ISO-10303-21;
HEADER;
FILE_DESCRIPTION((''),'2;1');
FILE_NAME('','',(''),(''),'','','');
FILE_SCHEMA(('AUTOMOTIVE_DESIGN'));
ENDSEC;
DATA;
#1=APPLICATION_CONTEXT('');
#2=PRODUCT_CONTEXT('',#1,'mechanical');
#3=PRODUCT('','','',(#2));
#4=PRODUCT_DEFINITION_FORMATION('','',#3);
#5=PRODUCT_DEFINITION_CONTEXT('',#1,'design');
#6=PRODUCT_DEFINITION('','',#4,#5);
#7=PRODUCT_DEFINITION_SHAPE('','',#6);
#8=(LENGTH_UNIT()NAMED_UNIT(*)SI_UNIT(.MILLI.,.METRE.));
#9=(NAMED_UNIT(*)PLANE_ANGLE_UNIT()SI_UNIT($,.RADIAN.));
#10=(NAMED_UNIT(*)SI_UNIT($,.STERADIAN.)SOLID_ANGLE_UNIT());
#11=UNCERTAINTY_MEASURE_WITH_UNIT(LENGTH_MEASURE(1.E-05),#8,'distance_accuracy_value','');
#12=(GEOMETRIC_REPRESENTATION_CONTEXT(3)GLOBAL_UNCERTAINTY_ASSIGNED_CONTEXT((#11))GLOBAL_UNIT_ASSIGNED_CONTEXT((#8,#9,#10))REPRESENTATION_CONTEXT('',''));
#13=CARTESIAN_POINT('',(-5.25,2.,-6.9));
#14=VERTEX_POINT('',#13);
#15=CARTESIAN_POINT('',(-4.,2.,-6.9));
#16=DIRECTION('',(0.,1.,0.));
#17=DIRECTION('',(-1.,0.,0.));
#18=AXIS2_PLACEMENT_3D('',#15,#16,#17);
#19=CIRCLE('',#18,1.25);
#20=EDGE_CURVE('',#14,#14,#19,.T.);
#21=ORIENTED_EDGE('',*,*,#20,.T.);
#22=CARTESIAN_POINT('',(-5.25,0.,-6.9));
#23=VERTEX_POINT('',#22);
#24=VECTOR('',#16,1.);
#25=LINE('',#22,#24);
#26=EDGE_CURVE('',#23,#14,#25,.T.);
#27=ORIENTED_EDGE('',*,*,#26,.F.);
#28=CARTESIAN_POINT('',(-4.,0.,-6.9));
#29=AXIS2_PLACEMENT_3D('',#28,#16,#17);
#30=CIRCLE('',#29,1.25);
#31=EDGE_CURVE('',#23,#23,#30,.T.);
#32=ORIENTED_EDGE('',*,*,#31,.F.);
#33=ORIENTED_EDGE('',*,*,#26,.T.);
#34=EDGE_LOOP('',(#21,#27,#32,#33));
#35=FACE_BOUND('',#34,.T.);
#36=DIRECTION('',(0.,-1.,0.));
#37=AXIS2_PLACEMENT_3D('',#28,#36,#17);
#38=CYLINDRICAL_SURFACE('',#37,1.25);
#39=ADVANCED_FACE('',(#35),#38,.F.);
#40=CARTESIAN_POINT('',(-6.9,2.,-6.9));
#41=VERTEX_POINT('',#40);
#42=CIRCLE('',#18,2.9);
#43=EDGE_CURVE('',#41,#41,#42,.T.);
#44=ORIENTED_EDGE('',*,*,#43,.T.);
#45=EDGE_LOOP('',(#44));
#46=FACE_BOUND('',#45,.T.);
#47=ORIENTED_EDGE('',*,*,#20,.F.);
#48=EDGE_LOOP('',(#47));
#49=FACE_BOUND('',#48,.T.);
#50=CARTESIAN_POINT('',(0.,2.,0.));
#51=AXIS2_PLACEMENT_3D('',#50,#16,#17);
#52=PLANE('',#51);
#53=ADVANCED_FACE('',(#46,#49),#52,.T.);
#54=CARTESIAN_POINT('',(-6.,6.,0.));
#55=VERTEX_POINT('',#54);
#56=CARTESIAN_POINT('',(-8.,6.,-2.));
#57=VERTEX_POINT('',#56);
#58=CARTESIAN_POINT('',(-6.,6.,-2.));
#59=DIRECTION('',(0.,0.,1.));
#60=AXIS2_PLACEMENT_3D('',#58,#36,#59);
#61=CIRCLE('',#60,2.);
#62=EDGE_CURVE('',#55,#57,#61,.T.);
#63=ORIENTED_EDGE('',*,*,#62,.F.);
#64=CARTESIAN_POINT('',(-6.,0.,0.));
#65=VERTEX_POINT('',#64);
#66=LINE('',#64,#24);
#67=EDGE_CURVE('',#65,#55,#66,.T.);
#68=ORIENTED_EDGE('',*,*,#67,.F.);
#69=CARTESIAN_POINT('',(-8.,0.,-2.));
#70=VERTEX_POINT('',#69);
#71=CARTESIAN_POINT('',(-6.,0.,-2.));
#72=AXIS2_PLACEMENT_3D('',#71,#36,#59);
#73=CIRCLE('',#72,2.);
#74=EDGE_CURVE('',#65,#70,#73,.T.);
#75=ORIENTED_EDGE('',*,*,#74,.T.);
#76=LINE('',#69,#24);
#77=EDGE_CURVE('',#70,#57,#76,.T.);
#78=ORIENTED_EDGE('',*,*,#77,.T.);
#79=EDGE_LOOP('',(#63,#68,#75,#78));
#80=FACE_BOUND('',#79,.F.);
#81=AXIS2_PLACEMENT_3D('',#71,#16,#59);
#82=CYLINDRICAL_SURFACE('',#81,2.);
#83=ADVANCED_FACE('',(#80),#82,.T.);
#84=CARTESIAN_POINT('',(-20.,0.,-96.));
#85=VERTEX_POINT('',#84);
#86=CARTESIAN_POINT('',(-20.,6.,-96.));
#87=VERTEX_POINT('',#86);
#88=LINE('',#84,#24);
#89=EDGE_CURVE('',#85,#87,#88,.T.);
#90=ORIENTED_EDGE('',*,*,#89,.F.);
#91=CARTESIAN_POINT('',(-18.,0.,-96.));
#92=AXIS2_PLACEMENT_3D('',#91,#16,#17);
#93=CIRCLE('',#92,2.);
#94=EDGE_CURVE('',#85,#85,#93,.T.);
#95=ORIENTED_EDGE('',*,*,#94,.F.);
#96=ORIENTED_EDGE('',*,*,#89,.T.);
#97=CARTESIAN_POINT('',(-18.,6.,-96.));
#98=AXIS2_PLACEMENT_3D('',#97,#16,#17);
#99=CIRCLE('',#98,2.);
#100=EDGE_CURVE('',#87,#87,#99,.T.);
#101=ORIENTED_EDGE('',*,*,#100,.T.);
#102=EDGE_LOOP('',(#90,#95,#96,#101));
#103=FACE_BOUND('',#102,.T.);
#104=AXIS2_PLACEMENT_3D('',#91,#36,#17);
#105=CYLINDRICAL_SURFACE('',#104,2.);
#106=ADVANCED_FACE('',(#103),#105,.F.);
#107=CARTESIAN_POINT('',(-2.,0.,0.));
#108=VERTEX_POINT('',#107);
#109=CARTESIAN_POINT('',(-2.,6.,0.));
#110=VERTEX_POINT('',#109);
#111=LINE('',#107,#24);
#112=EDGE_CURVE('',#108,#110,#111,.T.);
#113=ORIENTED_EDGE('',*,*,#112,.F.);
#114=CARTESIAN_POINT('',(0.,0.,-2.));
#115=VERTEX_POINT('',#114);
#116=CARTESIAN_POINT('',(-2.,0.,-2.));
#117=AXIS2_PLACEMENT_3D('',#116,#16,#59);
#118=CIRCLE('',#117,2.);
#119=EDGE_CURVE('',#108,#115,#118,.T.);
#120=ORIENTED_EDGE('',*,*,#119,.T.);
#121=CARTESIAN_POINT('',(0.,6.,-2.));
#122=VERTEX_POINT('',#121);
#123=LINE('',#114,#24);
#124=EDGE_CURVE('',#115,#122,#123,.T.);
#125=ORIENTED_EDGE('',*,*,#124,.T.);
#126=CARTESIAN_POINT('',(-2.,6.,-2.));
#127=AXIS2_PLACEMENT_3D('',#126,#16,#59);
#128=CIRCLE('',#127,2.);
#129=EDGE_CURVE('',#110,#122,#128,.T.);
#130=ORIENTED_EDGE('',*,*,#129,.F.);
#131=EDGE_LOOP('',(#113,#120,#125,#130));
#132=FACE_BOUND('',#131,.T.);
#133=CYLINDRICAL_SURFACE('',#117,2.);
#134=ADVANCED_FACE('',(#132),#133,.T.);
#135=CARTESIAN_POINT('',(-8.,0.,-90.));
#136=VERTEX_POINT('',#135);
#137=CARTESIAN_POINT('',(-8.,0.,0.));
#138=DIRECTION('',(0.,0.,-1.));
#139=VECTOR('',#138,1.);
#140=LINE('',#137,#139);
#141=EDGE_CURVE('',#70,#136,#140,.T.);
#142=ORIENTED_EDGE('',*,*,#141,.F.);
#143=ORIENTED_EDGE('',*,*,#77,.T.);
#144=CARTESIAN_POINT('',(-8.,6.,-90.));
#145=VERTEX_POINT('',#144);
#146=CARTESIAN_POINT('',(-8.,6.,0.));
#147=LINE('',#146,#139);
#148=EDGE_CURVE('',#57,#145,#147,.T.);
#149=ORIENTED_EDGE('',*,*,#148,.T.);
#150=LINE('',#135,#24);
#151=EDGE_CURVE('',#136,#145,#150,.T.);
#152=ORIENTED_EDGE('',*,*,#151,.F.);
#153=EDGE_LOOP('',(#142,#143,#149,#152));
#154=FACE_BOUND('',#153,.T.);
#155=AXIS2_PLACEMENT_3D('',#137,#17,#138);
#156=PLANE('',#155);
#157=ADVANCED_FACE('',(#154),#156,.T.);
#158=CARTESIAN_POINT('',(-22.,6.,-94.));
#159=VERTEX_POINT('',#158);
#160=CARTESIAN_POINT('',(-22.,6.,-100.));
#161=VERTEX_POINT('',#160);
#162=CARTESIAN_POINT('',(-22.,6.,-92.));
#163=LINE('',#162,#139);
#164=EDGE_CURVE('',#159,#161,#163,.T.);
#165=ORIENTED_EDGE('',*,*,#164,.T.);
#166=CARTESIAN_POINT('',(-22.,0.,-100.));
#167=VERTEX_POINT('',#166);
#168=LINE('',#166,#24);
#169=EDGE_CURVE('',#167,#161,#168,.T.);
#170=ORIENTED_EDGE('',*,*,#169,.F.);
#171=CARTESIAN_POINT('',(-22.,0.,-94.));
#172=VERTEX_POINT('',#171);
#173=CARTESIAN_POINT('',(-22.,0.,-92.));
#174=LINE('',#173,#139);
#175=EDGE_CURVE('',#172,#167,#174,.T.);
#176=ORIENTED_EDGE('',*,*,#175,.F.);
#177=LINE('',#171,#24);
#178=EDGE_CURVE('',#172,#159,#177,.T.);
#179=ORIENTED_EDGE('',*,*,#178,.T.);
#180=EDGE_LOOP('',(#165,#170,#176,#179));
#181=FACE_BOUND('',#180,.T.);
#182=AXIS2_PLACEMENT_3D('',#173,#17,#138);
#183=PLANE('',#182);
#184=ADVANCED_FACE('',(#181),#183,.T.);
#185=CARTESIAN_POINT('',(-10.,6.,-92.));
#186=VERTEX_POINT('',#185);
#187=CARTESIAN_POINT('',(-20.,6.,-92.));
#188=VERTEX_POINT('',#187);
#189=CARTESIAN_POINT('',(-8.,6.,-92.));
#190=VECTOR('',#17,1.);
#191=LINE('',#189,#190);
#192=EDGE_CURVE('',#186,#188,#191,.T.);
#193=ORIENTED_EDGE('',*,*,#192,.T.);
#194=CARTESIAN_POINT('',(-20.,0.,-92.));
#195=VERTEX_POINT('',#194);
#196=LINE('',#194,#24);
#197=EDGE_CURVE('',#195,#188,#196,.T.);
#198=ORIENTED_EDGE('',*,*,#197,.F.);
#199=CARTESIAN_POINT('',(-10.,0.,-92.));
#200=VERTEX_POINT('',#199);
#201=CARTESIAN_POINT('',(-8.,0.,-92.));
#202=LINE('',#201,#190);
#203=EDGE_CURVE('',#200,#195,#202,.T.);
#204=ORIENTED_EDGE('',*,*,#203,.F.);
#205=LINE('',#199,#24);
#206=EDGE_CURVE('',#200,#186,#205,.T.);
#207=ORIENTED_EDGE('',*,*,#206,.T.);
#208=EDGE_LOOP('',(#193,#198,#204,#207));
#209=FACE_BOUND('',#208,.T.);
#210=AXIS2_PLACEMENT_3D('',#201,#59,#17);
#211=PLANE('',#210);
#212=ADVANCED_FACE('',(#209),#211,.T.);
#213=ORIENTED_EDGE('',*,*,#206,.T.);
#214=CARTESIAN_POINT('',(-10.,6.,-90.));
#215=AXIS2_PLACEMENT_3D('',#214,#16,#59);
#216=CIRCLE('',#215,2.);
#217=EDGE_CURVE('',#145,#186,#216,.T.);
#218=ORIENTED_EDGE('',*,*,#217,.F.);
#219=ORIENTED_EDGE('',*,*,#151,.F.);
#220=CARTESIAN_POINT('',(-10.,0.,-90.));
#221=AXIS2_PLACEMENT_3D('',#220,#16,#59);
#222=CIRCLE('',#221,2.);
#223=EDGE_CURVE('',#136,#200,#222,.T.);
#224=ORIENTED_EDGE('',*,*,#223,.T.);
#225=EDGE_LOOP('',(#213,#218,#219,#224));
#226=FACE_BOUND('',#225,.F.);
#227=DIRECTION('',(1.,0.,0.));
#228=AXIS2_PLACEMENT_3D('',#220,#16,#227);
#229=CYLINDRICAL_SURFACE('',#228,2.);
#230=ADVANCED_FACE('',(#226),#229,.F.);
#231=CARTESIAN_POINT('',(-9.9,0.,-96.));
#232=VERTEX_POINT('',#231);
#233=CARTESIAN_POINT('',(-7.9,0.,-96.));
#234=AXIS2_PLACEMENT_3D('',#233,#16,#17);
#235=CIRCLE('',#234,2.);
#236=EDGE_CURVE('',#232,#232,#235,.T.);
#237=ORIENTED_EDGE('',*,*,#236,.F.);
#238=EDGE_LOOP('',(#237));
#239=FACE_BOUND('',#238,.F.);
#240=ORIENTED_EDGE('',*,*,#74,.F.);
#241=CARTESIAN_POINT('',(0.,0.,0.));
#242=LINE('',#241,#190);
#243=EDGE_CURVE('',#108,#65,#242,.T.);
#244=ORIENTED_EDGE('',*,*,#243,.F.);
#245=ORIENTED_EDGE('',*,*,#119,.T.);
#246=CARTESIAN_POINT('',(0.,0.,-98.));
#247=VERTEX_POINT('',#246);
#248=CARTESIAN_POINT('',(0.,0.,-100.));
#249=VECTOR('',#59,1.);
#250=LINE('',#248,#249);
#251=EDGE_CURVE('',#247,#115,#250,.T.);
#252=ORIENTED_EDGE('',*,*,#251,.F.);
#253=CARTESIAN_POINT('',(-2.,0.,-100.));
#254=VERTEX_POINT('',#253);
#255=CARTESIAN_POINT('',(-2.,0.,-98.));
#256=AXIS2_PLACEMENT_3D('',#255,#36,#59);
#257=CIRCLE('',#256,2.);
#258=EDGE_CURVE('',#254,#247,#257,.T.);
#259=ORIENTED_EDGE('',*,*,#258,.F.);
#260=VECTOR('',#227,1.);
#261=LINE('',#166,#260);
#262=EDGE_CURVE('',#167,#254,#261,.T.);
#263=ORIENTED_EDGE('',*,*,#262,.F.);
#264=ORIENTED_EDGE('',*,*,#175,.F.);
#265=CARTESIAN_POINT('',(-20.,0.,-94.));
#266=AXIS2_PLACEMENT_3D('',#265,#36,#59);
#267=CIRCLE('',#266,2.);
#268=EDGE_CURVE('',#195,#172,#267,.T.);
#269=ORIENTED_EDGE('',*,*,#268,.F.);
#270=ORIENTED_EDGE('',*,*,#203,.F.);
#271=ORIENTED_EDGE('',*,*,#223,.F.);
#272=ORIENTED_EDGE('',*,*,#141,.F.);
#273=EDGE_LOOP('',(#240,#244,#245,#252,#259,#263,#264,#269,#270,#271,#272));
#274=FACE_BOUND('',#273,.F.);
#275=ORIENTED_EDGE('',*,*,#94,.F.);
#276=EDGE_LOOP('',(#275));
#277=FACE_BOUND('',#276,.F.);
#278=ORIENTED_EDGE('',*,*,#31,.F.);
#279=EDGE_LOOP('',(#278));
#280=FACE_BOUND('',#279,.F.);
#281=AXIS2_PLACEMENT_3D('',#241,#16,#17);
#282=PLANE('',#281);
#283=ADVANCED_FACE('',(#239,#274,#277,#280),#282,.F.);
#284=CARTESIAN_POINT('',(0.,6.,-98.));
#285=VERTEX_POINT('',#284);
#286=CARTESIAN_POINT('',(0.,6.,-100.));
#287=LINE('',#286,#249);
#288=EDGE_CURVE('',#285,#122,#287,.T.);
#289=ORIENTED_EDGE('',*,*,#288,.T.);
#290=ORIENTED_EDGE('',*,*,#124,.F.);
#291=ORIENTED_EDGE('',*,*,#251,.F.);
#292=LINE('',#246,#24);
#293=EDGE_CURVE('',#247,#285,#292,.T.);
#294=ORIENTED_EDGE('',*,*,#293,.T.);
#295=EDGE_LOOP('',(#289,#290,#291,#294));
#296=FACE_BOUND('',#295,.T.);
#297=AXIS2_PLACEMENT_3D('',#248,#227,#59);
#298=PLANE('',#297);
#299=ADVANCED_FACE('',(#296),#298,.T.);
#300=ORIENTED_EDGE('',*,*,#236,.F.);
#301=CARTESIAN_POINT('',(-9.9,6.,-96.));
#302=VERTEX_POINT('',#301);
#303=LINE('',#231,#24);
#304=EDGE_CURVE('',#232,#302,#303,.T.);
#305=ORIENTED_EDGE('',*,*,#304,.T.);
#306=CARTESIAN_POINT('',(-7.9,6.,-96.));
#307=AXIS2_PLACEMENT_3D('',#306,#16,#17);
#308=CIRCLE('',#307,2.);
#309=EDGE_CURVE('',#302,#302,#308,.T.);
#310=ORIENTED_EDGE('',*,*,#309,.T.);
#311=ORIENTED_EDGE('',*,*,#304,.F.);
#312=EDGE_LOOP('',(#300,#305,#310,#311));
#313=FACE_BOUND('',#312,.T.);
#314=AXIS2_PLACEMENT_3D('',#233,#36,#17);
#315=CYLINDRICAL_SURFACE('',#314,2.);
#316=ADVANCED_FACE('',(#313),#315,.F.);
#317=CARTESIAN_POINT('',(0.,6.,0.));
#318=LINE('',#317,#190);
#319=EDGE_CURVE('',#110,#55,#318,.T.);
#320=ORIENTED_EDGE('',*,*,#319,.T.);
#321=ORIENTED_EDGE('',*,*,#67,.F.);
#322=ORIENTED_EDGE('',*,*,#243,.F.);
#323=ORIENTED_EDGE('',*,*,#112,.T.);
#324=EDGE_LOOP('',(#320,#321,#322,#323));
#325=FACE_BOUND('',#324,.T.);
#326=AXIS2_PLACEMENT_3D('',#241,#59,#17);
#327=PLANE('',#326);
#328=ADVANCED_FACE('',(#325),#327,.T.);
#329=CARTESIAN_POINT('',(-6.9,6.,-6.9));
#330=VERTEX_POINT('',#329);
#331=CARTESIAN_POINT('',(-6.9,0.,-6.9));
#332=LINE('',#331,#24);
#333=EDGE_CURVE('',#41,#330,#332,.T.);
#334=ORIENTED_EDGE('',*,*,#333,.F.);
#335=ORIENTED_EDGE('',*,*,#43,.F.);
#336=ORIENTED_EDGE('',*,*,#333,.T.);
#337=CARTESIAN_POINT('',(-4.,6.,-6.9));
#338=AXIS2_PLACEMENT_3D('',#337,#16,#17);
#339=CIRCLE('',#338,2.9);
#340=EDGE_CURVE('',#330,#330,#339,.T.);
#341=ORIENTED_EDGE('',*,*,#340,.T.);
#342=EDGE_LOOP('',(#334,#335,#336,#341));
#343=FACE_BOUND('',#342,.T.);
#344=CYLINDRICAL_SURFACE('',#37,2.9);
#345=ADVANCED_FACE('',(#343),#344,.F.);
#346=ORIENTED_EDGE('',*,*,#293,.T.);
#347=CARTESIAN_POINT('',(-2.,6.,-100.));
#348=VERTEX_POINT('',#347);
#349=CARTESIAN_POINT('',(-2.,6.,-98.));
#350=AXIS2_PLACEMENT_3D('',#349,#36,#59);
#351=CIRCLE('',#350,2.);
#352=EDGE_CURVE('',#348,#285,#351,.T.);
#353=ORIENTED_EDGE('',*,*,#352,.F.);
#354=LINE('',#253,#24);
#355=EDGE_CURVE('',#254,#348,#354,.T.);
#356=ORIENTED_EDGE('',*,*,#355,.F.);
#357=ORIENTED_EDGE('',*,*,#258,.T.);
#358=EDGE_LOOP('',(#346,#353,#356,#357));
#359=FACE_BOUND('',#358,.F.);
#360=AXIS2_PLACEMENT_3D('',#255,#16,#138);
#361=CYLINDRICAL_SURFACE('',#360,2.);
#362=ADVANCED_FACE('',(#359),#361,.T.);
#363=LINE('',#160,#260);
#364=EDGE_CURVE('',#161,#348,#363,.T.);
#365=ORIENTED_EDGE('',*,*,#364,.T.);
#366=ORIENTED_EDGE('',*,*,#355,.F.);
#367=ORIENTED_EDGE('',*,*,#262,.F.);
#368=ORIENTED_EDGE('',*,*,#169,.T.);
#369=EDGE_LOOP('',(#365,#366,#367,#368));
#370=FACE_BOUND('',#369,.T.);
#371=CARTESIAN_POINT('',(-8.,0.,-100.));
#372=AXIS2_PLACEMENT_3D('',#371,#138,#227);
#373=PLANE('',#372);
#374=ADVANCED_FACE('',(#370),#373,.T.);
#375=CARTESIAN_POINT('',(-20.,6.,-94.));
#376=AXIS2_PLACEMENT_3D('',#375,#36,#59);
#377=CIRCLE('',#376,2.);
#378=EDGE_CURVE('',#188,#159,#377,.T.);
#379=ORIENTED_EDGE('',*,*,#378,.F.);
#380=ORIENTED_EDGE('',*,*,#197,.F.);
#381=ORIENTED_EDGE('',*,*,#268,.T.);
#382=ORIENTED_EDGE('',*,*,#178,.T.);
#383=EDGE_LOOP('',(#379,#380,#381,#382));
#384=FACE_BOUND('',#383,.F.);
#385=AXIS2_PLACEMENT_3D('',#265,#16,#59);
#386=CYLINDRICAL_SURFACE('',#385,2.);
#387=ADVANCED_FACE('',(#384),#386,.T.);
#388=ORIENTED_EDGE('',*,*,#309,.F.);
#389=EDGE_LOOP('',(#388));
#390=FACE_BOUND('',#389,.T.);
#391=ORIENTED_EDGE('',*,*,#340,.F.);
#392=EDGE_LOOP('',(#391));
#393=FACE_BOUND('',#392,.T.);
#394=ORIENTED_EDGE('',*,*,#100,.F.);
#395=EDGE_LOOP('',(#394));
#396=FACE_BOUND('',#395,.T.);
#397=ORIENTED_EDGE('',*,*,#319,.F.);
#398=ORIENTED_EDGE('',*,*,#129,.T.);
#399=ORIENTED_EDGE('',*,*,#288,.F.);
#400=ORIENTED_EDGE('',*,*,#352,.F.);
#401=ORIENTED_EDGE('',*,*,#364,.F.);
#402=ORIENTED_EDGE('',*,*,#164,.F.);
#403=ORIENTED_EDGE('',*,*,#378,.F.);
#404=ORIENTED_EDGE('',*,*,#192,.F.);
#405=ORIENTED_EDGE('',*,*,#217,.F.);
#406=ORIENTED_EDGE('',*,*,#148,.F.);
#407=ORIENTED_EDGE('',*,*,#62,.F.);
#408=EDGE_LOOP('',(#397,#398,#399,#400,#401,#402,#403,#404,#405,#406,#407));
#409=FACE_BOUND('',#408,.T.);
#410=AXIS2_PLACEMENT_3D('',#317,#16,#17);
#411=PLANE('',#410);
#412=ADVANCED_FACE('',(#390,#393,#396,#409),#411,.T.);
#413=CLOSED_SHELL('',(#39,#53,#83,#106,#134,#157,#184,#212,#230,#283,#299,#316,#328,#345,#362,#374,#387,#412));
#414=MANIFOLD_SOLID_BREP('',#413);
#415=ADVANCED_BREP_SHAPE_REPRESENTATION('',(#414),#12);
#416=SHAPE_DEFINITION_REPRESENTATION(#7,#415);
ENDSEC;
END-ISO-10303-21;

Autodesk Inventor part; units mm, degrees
ref_plane "YZ Plane" through (0, 0, 0) normal (1, 0, 0) x (0, 1, 0)
ref_plane "XZ Plane" through (0, 0, 0) normal (0, 1, 0) x (-1, 0, 0)
ref_plane "XY Plane" through (0, 0, 0) normal (0, 0, 1) x (1, 0, 0)
sketch "Esquisse1" plane through (0, 0, 0) normal (0, 1, 0) x (-1, 0, 0)
  line L0 (0, 0) -> (8, 0)
  line L1 (8, -100) -> (0, -100)
  line L2 (0, -100) -> (0, 0)
  line L3 (8, 0) -> (8, -92)
  line L4 (8, -92) -> (22, -92)
  line L5 (22, -92) -> (22, -100)
  line L6 (22, -100) -> (8, -100)
  circle A0 centre (18, -96) radius 2
  circle A1 centre (7.9, -96) radius 2
  circle A2 centre (4, -6.9) radius 2.9
  circle A3 centre (4, -6.9) radius 1.25
  dimension "d0" = 8
  dimension "d1" = 100
  dimension "d2" = 8
  dimension "d5" = 10.1
  dimension "d6" = 4
  dimension "d7" = 4
  dimension "d8" = 4
  dimension "d9" = 4
  dimension "d10" = 22
  dimension "d11" = 5.8
  dimension "d12" = 4
  dimension "d13" = 4
  dimension "d15" = 4
  dimension "d17" = 2.5
extrude "Extrusion1" add sketch "Esquisse1" along normal blind 6 contours L0 L3 L4 L5 L6 L1 L2
fillet "Congé1" radius 2 5 edges at (-8, 3, 0) (0, 3, 0) (-8, 3, -92) (0, 3, -100) (-22, 3, -92)
extrude "Extrusion2" add sketch "Esquisse1" along normal blind 2 contours A2
equation "\"d2\" = d0"
equation "\"d7\" = d6"
equation "\"d8\" = 0.5 * d0"
equation "\"d12\" = d8"
equation "\"d13\" = 0.5 * d0"
properties part number "_Impression 3D"
